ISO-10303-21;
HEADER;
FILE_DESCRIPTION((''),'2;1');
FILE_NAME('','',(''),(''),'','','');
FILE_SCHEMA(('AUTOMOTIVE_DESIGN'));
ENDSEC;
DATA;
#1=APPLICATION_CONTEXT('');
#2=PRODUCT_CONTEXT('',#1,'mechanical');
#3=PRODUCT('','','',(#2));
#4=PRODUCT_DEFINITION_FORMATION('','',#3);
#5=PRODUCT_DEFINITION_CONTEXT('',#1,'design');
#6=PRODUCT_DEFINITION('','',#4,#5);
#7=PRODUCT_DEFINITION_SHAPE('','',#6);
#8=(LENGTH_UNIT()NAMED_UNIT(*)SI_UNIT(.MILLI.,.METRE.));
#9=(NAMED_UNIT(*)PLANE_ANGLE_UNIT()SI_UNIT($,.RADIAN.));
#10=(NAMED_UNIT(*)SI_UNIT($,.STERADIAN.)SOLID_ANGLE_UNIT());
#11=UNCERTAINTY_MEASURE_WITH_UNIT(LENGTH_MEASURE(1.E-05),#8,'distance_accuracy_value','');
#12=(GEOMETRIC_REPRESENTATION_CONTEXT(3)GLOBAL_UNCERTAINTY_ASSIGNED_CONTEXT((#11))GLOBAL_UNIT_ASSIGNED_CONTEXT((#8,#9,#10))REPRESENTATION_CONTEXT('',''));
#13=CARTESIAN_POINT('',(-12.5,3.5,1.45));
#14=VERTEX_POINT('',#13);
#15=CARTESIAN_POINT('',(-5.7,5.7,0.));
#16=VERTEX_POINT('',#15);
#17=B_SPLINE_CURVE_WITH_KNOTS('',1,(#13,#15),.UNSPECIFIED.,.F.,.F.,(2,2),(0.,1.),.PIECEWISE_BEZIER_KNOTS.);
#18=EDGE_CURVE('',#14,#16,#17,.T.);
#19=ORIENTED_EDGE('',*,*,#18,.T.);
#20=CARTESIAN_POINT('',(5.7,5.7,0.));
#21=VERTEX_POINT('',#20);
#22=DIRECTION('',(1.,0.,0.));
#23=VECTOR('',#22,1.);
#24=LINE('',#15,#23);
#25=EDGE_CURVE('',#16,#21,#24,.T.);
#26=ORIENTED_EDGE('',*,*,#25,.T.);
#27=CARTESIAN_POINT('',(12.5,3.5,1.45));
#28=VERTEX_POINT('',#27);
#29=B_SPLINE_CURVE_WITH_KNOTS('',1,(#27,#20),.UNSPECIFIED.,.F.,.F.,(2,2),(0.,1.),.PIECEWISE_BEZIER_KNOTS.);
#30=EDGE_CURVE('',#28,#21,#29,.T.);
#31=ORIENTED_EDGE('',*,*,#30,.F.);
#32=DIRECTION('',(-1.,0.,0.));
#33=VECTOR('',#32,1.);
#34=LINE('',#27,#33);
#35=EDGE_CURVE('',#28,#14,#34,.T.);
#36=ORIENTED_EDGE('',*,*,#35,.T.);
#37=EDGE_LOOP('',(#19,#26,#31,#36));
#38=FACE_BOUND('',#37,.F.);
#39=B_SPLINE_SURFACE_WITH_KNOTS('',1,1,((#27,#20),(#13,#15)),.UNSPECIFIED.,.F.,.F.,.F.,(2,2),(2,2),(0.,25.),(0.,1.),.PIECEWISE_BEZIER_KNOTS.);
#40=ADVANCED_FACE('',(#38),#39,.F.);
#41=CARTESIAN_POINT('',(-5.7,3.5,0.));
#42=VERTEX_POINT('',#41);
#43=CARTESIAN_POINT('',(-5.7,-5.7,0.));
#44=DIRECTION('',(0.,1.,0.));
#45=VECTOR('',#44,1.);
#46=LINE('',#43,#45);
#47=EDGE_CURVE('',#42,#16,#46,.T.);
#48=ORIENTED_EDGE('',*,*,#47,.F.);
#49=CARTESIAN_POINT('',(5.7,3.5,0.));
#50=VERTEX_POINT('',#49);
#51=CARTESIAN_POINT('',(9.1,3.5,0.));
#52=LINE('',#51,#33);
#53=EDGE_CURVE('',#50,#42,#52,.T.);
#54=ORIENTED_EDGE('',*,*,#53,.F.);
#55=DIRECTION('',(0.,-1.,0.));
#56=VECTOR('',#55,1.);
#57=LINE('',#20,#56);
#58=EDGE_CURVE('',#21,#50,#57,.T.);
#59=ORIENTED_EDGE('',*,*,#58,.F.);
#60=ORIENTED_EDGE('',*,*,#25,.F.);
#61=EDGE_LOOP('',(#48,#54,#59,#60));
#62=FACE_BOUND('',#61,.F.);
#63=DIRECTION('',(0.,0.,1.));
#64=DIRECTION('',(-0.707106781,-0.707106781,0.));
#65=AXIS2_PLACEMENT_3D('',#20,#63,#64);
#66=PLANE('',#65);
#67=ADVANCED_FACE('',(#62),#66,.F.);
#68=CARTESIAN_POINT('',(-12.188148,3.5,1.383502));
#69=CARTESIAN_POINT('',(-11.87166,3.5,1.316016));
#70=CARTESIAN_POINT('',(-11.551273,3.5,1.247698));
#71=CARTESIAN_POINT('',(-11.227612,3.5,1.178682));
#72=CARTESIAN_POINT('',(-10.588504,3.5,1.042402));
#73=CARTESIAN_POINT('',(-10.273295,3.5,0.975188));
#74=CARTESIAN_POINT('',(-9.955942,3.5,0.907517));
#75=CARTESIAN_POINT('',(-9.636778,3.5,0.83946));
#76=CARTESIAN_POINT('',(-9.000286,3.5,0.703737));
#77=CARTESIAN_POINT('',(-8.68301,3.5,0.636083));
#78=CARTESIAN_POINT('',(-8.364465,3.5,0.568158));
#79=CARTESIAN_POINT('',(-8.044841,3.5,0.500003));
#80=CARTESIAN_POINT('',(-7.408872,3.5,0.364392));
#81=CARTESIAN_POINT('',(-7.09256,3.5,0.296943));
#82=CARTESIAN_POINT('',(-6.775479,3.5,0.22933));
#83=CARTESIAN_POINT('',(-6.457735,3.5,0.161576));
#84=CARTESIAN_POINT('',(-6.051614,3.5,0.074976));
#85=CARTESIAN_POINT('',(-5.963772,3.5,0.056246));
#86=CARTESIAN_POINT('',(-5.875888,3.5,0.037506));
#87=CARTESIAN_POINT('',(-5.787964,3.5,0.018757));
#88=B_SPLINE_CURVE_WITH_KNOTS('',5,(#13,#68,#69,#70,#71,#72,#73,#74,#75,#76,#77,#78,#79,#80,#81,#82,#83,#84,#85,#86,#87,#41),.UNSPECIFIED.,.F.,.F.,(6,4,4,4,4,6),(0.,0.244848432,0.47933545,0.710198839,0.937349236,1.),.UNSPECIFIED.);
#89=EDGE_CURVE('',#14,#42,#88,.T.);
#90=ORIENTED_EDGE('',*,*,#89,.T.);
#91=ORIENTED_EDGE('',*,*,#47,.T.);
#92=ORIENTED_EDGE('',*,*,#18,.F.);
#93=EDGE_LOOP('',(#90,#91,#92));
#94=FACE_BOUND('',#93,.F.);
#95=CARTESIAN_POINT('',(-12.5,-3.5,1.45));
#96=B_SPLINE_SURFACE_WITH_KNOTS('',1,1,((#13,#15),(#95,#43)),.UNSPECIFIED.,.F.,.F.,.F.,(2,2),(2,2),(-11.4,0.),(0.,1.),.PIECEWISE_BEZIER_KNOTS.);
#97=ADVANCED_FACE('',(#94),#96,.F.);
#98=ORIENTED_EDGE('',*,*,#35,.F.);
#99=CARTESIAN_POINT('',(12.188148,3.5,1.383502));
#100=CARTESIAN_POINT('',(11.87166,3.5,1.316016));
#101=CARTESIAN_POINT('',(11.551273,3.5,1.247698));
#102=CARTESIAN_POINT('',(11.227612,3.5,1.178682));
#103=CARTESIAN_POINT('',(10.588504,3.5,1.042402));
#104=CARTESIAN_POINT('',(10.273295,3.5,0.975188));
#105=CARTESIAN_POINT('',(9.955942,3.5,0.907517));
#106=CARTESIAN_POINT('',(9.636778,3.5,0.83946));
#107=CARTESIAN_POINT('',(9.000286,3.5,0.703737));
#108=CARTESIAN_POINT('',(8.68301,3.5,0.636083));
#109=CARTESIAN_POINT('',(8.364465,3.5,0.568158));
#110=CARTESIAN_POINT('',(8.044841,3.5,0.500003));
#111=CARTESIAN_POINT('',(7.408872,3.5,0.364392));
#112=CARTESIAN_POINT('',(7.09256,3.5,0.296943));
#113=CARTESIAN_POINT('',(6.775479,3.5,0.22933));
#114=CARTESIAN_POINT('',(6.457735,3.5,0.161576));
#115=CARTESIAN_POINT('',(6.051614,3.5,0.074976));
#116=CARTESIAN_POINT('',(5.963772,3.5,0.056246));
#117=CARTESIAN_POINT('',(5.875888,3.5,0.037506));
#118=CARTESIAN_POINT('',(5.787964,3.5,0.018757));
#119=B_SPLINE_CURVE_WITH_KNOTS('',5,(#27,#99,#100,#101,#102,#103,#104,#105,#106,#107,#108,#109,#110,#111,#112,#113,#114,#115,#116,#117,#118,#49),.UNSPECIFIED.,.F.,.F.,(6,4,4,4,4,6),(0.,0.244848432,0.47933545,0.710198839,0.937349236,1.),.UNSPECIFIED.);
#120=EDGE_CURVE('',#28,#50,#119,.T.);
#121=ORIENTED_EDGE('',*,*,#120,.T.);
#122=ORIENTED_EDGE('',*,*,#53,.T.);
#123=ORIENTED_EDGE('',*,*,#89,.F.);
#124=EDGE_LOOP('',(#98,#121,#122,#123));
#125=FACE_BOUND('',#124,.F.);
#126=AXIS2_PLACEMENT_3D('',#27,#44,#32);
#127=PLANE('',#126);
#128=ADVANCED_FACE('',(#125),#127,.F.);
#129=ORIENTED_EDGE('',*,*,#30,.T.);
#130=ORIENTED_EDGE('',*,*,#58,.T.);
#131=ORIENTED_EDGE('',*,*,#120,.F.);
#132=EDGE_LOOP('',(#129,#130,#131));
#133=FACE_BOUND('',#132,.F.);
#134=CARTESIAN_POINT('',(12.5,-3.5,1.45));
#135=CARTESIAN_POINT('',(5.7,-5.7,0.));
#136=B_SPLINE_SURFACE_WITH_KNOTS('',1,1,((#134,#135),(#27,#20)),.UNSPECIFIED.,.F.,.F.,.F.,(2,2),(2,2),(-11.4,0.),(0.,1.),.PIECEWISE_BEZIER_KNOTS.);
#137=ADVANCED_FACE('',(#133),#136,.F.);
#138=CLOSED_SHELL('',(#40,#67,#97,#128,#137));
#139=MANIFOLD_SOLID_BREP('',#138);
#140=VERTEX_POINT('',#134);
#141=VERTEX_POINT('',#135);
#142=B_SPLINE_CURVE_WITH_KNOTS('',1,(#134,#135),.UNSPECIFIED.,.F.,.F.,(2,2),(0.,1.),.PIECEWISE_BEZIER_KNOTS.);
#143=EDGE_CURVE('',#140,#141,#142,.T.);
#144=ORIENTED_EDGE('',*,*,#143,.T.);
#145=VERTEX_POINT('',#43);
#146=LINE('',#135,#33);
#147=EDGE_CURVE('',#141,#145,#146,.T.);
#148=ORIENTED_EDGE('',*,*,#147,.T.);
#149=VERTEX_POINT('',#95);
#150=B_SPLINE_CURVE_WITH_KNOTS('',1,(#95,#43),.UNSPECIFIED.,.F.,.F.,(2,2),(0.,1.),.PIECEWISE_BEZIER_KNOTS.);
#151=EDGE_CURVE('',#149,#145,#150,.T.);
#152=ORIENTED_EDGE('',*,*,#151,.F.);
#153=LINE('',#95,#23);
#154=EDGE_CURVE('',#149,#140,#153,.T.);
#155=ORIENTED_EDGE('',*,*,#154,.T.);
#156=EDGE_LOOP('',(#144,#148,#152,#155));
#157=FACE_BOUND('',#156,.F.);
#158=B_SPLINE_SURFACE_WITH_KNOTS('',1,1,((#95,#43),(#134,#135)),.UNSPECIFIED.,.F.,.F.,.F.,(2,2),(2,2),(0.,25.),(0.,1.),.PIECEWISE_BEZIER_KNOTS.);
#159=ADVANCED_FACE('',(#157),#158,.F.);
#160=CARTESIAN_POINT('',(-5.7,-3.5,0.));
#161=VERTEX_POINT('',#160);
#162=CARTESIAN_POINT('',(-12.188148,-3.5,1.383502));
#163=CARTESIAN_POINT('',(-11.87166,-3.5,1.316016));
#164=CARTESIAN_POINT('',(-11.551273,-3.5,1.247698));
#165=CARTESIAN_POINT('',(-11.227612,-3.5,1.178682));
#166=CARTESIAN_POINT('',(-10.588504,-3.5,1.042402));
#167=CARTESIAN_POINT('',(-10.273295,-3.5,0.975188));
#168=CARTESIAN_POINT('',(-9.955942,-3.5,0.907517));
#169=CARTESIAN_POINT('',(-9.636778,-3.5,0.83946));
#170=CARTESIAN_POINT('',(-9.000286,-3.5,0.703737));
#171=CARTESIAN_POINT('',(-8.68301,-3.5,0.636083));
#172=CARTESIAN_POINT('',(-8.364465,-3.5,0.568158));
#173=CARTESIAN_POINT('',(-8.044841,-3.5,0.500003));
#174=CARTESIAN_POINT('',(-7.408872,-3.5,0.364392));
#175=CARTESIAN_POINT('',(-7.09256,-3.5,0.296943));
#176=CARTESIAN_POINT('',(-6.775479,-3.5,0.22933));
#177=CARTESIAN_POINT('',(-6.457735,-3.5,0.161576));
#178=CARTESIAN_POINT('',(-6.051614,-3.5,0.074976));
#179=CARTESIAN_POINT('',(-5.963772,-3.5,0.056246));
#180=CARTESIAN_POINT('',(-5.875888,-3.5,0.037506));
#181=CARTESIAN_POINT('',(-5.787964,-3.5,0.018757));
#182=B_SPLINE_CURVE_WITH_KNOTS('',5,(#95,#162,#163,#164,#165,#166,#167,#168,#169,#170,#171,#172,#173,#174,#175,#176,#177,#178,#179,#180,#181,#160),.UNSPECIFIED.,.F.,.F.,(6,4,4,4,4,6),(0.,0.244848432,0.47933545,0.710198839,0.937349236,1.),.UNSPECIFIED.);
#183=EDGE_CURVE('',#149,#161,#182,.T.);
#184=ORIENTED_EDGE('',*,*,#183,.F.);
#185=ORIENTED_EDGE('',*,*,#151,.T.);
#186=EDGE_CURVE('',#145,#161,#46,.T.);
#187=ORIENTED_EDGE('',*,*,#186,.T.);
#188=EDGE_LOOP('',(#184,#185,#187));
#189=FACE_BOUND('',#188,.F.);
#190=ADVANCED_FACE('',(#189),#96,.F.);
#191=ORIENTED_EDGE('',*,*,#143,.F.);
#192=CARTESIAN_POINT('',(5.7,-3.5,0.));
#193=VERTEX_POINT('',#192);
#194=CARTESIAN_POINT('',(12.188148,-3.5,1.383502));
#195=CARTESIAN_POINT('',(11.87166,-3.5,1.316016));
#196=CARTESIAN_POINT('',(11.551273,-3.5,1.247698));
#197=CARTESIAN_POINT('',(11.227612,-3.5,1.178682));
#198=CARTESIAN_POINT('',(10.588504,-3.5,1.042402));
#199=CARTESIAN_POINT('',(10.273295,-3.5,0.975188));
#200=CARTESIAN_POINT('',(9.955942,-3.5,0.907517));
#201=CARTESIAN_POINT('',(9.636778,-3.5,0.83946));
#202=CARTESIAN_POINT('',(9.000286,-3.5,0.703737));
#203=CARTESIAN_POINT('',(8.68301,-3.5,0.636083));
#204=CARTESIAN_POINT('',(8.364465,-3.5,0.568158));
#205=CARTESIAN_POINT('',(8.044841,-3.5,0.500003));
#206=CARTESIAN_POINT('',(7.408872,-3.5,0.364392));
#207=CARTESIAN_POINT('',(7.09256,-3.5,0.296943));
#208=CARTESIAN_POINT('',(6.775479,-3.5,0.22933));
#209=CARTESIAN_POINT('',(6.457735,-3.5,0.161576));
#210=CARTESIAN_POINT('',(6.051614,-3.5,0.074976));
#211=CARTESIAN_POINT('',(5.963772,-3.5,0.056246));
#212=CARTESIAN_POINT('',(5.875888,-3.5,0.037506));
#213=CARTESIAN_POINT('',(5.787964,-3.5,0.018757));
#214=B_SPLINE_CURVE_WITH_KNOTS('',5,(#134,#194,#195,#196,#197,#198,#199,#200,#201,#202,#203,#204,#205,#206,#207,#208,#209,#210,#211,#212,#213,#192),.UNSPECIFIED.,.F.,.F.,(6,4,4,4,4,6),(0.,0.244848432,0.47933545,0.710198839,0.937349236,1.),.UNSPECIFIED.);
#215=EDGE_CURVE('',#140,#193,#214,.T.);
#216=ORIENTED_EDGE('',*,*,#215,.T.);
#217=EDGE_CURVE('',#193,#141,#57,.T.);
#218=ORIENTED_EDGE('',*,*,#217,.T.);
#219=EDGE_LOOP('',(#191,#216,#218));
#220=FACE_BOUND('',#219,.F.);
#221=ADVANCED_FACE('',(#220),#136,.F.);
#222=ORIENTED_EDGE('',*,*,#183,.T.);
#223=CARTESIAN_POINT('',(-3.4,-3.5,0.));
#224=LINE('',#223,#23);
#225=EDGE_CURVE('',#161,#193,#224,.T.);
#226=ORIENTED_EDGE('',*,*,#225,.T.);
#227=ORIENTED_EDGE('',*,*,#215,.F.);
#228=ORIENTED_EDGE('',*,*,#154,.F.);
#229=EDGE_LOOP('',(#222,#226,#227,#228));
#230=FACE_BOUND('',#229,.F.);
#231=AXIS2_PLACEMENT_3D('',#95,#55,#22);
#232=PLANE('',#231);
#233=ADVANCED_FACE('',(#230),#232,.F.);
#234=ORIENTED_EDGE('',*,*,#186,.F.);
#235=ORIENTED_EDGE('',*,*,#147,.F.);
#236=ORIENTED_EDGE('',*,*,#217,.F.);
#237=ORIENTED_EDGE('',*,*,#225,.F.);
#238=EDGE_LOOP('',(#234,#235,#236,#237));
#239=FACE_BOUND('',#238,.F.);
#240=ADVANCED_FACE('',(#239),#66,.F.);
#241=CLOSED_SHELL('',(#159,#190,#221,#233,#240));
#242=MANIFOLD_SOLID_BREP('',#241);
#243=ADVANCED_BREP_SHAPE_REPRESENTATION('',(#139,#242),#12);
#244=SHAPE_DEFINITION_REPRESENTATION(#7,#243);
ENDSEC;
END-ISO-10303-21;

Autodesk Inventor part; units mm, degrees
ref_plane "YZ Plane" through (0, 0, 0) normal (1, 0, 0) x (0, 1, 0)
ref_plane "XZ Plane" through (0, 0, 0) normal (0, 1, 0) x (-1, 0, 0)
sketch "Sketch1" plane through (0, 0, 0) normal (0, 0, 1) x (1, 0, 0)
  line L0 (-5.7, 5.7) -> (5.7, 5.7) projected
  line L1 (-5.7, -5.7) -> (-5.7, 5.7) projected
  line L2 (5.7, -5.7) -> (-5.7, -5.7) projected
  line L3 (5.7, 5.7) -> (5.7, -5.7) projected
  point P0 (0, 0)
ref_plane "Work Plane1" through (0, 0, 1.45) normal (0, 0, 1) x (1, 0, 0)
sketch "Sketch2" plane through (0, 0, 1.45) normal (0, 0, 1) x (1, 0, 0)
  line L0 (12.5, 3.5) -> (-12.5, 3.5) projected
  line L1 (-12.5, 3.5) -> (-12.5, -3.5) projected
  line L2 (-12.5, -3.5) -> (12.5, -3.5) projected
  line L3 (12.5, -3.5) -> (12.5, 3.5) projected
  point P0 (0, 0)
loft "Loft1" add profiles "Sketch2", "Sketch1"
sketch "Sketch3" plane through (-12.5, 3.5, 1.45) normal (0, 0, 1) x (1, 0, 0)
  line L0 (0, 0) -> (0, -7) projected
  line L1 (25, 0) -> (0, 0) projected
  line L2 (25, -7) -> (25, 0) projected
  line L3 (0, -7) -> (25, -7) projected
  point P0 (12.5, -3.5)
extrude "Extrusion1" cut sketch "Sketch3" against normal through all
properties part number "edgeCoating" material "Rubber"
